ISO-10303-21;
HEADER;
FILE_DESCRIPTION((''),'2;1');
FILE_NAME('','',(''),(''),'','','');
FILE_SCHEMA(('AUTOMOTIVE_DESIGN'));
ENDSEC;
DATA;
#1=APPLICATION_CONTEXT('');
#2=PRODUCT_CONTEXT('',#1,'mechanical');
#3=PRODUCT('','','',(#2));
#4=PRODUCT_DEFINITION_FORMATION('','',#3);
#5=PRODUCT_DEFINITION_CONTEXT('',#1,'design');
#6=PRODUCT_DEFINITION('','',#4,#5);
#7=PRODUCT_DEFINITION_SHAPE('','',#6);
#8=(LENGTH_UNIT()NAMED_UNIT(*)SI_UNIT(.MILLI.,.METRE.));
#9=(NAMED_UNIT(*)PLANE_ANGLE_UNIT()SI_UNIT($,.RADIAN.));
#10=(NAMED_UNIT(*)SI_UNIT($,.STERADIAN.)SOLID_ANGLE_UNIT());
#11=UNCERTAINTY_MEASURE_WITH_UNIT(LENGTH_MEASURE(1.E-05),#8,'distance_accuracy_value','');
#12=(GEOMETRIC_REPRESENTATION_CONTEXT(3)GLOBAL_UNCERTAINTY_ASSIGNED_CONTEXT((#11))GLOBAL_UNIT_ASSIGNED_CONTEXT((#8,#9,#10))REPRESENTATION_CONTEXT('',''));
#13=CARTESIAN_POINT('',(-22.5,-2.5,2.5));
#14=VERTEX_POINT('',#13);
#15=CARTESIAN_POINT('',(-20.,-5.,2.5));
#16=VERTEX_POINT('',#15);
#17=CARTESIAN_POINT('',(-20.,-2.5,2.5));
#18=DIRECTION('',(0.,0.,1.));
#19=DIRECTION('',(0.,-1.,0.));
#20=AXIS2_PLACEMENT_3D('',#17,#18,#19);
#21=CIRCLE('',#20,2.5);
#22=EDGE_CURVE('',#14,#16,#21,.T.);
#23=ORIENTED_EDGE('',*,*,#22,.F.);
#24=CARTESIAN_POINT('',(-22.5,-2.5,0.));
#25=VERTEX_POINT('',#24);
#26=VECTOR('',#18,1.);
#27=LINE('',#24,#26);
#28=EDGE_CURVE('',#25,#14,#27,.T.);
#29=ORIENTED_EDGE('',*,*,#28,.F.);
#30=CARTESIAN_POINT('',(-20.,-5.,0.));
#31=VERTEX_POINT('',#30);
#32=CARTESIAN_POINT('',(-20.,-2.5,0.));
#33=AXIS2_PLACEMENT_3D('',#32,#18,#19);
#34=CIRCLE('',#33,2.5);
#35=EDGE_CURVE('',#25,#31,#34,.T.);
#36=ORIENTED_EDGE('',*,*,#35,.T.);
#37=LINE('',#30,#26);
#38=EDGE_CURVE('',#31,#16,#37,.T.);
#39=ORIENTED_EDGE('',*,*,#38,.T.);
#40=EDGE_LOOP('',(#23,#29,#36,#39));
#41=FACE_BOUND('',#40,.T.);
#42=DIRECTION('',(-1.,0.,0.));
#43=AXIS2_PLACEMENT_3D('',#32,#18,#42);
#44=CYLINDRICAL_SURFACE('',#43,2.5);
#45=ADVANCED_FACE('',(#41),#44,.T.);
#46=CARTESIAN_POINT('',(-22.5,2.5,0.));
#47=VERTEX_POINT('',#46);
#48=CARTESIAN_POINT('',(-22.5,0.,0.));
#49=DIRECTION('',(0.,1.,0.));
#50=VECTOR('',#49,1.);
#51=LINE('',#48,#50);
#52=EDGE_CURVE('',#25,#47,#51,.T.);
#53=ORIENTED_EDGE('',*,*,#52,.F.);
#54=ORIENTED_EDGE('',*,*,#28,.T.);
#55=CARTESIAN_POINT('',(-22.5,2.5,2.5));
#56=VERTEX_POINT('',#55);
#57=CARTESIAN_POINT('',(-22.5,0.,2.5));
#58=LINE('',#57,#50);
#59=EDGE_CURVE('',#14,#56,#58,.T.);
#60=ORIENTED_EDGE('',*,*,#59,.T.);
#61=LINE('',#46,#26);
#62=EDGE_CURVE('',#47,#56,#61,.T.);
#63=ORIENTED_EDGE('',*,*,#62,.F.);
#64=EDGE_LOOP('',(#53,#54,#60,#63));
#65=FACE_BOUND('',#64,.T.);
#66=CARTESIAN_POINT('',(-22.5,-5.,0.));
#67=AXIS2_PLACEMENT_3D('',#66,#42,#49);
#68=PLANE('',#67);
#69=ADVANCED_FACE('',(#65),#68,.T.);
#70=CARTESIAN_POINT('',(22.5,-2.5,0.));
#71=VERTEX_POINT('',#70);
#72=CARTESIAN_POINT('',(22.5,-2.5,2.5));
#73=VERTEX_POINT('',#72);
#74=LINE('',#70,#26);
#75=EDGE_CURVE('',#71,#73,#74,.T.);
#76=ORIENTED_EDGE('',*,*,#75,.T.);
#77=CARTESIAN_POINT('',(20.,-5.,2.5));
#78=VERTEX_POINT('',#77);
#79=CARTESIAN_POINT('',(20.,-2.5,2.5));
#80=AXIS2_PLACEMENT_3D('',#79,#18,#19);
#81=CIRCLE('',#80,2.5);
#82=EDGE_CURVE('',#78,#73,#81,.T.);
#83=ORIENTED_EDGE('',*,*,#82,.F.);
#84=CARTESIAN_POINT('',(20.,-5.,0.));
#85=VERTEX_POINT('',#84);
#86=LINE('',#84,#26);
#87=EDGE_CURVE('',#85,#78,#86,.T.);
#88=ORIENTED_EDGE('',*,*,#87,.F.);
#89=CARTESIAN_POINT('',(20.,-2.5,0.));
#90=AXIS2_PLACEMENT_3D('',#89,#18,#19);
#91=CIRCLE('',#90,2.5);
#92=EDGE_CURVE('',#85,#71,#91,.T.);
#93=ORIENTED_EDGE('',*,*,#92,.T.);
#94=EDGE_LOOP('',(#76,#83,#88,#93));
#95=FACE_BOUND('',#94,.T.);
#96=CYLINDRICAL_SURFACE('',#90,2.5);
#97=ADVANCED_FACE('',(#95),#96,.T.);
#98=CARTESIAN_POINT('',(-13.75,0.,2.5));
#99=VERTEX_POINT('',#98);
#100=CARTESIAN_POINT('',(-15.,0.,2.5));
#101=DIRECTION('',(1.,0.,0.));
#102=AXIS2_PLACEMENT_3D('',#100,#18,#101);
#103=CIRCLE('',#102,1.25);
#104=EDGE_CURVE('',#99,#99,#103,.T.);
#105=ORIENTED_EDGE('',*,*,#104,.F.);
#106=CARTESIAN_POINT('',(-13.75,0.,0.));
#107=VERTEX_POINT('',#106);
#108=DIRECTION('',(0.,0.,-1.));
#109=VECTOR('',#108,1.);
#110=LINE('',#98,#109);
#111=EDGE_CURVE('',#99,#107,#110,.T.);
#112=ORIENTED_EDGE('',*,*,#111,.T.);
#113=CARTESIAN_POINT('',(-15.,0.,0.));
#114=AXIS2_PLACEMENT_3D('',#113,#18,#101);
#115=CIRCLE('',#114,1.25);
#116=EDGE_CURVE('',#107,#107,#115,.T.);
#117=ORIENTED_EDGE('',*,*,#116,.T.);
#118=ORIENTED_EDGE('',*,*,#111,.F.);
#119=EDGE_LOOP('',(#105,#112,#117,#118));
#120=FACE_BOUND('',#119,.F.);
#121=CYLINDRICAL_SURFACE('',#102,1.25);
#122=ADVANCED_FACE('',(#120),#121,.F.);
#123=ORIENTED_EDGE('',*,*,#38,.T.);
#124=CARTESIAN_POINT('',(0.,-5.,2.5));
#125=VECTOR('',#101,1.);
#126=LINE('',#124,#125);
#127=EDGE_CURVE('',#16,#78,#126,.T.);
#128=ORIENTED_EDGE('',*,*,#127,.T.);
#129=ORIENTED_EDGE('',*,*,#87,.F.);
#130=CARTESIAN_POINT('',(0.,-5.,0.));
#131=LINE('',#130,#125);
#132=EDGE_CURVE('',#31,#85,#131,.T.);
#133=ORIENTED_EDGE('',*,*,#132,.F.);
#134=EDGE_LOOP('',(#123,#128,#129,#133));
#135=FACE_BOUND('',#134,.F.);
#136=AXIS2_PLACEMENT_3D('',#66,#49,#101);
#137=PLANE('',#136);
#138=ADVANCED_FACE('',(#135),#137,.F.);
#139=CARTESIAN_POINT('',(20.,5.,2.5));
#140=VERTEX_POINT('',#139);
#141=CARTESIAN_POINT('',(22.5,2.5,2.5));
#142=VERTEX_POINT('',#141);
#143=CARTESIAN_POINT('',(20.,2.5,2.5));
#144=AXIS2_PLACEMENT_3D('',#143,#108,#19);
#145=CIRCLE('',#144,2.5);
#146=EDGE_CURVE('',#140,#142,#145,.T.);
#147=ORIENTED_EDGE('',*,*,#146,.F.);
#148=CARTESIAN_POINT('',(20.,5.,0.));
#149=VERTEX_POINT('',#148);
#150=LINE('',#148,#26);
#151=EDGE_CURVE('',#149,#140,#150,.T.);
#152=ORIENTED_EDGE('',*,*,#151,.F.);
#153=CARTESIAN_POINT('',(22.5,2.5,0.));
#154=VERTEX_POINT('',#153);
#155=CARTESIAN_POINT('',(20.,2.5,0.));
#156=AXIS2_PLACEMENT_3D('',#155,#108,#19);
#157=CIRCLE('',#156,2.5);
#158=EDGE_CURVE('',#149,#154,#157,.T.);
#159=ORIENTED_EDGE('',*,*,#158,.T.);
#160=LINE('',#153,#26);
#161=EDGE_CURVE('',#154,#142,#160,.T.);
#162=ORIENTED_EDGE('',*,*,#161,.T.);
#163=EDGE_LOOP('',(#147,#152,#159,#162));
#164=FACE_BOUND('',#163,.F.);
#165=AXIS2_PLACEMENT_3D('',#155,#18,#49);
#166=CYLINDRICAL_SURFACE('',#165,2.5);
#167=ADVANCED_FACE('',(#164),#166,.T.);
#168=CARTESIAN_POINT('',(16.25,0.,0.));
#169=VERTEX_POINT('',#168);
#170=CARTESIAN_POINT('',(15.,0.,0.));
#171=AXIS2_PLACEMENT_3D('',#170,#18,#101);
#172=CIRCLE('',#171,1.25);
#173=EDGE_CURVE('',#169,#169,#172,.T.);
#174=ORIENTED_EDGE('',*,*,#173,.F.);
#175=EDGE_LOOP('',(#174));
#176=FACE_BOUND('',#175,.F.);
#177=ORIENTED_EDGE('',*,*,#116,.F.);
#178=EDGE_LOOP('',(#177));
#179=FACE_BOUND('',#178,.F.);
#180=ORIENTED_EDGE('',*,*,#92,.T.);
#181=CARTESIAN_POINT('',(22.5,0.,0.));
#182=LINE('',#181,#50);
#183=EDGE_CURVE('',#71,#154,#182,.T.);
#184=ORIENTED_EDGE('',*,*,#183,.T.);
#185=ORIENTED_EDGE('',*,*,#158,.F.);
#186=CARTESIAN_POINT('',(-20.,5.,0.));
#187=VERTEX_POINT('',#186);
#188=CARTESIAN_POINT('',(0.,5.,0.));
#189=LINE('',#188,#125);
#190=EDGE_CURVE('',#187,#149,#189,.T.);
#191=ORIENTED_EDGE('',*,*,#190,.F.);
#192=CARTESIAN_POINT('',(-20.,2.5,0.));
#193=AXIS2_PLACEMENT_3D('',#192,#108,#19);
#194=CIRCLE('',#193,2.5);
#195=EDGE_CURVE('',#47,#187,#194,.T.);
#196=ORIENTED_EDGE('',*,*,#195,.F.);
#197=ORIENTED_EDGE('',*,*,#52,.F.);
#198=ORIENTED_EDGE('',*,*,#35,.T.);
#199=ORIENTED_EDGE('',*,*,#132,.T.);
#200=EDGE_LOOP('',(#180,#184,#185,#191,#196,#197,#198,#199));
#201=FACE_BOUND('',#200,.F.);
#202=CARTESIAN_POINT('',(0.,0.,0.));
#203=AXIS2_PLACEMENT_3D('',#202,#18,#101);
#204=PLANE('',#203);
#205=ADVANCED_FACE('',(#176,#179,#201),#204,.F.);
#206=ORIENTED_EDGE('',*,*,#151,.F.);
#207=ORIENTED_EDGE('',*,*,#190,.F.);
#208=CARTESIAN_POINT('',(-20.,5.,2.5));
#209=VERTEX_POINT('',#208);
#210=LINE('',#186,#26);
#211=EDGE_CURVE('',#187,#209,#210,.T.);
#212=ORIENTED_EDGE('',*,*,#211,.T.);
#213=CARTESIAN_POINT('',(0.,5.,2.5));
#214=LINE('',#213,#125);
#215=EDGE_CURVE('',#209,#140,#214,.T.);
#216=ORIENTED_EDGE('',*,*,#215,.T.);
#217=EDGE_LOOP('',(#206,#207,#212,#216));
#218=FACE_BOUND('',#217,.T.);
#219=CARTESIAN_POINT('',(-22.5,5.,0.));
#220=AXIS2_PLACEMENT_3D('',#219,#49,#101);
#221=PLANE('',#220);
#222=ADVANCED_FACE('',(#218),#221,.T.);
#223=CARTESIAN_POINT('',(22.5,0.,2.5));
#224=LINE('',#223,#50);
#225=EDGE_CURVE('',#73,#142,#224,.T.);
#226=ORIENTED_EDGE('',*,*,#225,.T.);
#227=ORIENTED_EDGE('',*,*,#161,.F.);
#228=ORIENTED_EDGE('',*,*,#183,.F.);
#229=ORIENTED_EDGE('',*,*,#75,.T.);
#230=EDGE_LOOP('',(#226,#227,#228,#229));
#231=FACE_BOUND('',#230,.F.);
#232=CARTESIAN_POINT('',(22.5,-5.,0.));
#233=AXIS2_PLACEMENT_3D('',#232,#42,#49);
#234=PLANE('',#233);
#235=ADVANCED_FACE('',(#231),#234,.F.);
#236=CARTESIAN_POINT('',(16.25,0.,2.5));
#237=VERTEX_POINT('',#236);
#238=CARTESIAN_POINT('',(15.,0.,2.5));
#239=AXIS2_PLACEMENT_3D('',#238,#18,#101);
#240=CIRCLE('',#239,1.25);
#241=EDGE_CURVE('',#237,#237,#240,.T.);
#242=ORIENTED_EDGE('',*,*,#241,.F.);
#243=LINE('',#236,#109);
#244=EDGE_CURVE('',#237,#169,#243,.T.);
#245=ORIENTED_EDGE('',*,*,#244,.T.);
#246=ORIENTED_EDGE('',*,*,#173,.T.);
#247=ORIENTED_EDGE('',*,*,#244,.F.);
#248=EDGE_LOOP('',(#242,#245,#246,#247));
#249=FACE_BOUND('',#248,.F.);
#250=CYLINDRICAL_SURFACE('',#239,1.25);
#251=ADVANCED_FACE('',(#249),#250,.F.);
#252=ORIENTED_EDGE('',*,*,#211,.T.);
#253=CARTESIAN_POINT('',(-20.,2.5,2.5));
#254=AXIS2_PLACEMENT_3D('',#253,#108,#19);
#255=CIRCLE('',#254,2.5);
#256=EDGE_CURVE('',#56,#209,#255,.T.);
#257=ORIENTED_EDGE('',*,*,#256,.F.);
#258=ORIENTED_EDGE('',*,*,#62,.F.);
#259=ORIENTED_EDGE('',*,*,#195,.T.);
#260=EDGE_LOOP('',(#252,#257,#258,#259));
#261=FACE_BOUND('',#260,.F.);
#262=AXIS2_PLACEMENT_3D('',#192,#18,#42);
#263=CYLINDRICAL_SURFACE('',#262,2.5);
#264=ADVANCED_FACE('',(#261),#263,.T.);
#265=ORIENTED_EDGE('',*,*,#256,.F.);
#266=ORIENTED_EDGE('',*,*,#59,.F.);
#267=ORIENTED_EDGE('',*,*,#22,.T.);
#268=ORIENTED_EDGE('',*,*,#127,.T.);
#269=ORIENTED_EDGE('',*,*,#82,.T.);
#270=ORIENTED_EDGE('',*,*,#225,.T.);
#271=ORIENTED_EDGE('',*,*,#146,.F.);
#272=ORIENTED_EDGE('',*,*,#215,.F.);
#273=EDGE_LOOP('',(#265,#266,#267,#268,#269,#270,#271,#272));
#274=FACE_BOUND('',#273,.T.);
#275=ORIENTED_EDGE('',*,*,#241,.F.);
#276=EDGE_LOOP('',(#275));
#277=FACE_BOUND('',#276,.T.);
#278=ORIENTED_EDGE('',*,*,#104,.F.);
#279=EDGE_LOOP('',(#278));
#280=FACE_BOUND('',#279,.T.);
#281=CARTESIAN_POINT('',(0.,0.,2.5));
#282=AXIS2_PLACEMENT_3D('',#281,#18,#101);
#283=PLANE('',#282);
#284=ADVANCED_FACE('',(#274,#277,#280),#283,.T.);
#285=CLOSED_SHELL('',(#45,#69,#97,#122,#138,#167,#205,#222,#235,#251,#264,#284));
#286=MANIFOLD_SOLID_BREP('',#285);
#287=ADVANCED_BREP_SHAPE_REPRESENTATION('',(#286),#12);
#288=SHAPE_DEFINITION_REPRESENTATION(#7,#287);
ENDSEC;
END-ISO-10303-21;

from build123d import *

# Parameters (mm, degrees)
F0_W     = 90
F0_H     = 20
F1_DEPTH = 5
F2_R     = 2.5
F3_DEPTH = 5
F4_R     = 5
F5_SCALE = 0.5


with BuildPart() as f1:
    # F0 (on Top) → F1 (new body)
    with BuildSketch(Plane.XY):
        Rectangle(F0_W, F0_H)
    extrude(amount=F1_DEPTH)

    # F2 (on face) → F3 (cut)
    with BuildSketch(Plane.XY.offset(5)):
        with Locations((-30, 0)):
            Circle(F2_R)
        with Locations((30, 0)):
            Circle(F2_R)
    extrude(amount=-F3_DEPTH, mode=Mode.SUBTRACT)

    # F4
    f4_edges = [f1.edges().sort_by_distance(p)[0] for p in [
        (-45, 10, 2.5),
        (-45, -10, 2.5),
        (45, -10, 2.5),
        (45, 10, 2.5),
    ]]
    fillet(f4_edges, radius=F4_R)


with BuildPart() as f1_1:
    # F5: moved
    add(f1.part.scale(F5_SCALE))


solid = f1_1.part
